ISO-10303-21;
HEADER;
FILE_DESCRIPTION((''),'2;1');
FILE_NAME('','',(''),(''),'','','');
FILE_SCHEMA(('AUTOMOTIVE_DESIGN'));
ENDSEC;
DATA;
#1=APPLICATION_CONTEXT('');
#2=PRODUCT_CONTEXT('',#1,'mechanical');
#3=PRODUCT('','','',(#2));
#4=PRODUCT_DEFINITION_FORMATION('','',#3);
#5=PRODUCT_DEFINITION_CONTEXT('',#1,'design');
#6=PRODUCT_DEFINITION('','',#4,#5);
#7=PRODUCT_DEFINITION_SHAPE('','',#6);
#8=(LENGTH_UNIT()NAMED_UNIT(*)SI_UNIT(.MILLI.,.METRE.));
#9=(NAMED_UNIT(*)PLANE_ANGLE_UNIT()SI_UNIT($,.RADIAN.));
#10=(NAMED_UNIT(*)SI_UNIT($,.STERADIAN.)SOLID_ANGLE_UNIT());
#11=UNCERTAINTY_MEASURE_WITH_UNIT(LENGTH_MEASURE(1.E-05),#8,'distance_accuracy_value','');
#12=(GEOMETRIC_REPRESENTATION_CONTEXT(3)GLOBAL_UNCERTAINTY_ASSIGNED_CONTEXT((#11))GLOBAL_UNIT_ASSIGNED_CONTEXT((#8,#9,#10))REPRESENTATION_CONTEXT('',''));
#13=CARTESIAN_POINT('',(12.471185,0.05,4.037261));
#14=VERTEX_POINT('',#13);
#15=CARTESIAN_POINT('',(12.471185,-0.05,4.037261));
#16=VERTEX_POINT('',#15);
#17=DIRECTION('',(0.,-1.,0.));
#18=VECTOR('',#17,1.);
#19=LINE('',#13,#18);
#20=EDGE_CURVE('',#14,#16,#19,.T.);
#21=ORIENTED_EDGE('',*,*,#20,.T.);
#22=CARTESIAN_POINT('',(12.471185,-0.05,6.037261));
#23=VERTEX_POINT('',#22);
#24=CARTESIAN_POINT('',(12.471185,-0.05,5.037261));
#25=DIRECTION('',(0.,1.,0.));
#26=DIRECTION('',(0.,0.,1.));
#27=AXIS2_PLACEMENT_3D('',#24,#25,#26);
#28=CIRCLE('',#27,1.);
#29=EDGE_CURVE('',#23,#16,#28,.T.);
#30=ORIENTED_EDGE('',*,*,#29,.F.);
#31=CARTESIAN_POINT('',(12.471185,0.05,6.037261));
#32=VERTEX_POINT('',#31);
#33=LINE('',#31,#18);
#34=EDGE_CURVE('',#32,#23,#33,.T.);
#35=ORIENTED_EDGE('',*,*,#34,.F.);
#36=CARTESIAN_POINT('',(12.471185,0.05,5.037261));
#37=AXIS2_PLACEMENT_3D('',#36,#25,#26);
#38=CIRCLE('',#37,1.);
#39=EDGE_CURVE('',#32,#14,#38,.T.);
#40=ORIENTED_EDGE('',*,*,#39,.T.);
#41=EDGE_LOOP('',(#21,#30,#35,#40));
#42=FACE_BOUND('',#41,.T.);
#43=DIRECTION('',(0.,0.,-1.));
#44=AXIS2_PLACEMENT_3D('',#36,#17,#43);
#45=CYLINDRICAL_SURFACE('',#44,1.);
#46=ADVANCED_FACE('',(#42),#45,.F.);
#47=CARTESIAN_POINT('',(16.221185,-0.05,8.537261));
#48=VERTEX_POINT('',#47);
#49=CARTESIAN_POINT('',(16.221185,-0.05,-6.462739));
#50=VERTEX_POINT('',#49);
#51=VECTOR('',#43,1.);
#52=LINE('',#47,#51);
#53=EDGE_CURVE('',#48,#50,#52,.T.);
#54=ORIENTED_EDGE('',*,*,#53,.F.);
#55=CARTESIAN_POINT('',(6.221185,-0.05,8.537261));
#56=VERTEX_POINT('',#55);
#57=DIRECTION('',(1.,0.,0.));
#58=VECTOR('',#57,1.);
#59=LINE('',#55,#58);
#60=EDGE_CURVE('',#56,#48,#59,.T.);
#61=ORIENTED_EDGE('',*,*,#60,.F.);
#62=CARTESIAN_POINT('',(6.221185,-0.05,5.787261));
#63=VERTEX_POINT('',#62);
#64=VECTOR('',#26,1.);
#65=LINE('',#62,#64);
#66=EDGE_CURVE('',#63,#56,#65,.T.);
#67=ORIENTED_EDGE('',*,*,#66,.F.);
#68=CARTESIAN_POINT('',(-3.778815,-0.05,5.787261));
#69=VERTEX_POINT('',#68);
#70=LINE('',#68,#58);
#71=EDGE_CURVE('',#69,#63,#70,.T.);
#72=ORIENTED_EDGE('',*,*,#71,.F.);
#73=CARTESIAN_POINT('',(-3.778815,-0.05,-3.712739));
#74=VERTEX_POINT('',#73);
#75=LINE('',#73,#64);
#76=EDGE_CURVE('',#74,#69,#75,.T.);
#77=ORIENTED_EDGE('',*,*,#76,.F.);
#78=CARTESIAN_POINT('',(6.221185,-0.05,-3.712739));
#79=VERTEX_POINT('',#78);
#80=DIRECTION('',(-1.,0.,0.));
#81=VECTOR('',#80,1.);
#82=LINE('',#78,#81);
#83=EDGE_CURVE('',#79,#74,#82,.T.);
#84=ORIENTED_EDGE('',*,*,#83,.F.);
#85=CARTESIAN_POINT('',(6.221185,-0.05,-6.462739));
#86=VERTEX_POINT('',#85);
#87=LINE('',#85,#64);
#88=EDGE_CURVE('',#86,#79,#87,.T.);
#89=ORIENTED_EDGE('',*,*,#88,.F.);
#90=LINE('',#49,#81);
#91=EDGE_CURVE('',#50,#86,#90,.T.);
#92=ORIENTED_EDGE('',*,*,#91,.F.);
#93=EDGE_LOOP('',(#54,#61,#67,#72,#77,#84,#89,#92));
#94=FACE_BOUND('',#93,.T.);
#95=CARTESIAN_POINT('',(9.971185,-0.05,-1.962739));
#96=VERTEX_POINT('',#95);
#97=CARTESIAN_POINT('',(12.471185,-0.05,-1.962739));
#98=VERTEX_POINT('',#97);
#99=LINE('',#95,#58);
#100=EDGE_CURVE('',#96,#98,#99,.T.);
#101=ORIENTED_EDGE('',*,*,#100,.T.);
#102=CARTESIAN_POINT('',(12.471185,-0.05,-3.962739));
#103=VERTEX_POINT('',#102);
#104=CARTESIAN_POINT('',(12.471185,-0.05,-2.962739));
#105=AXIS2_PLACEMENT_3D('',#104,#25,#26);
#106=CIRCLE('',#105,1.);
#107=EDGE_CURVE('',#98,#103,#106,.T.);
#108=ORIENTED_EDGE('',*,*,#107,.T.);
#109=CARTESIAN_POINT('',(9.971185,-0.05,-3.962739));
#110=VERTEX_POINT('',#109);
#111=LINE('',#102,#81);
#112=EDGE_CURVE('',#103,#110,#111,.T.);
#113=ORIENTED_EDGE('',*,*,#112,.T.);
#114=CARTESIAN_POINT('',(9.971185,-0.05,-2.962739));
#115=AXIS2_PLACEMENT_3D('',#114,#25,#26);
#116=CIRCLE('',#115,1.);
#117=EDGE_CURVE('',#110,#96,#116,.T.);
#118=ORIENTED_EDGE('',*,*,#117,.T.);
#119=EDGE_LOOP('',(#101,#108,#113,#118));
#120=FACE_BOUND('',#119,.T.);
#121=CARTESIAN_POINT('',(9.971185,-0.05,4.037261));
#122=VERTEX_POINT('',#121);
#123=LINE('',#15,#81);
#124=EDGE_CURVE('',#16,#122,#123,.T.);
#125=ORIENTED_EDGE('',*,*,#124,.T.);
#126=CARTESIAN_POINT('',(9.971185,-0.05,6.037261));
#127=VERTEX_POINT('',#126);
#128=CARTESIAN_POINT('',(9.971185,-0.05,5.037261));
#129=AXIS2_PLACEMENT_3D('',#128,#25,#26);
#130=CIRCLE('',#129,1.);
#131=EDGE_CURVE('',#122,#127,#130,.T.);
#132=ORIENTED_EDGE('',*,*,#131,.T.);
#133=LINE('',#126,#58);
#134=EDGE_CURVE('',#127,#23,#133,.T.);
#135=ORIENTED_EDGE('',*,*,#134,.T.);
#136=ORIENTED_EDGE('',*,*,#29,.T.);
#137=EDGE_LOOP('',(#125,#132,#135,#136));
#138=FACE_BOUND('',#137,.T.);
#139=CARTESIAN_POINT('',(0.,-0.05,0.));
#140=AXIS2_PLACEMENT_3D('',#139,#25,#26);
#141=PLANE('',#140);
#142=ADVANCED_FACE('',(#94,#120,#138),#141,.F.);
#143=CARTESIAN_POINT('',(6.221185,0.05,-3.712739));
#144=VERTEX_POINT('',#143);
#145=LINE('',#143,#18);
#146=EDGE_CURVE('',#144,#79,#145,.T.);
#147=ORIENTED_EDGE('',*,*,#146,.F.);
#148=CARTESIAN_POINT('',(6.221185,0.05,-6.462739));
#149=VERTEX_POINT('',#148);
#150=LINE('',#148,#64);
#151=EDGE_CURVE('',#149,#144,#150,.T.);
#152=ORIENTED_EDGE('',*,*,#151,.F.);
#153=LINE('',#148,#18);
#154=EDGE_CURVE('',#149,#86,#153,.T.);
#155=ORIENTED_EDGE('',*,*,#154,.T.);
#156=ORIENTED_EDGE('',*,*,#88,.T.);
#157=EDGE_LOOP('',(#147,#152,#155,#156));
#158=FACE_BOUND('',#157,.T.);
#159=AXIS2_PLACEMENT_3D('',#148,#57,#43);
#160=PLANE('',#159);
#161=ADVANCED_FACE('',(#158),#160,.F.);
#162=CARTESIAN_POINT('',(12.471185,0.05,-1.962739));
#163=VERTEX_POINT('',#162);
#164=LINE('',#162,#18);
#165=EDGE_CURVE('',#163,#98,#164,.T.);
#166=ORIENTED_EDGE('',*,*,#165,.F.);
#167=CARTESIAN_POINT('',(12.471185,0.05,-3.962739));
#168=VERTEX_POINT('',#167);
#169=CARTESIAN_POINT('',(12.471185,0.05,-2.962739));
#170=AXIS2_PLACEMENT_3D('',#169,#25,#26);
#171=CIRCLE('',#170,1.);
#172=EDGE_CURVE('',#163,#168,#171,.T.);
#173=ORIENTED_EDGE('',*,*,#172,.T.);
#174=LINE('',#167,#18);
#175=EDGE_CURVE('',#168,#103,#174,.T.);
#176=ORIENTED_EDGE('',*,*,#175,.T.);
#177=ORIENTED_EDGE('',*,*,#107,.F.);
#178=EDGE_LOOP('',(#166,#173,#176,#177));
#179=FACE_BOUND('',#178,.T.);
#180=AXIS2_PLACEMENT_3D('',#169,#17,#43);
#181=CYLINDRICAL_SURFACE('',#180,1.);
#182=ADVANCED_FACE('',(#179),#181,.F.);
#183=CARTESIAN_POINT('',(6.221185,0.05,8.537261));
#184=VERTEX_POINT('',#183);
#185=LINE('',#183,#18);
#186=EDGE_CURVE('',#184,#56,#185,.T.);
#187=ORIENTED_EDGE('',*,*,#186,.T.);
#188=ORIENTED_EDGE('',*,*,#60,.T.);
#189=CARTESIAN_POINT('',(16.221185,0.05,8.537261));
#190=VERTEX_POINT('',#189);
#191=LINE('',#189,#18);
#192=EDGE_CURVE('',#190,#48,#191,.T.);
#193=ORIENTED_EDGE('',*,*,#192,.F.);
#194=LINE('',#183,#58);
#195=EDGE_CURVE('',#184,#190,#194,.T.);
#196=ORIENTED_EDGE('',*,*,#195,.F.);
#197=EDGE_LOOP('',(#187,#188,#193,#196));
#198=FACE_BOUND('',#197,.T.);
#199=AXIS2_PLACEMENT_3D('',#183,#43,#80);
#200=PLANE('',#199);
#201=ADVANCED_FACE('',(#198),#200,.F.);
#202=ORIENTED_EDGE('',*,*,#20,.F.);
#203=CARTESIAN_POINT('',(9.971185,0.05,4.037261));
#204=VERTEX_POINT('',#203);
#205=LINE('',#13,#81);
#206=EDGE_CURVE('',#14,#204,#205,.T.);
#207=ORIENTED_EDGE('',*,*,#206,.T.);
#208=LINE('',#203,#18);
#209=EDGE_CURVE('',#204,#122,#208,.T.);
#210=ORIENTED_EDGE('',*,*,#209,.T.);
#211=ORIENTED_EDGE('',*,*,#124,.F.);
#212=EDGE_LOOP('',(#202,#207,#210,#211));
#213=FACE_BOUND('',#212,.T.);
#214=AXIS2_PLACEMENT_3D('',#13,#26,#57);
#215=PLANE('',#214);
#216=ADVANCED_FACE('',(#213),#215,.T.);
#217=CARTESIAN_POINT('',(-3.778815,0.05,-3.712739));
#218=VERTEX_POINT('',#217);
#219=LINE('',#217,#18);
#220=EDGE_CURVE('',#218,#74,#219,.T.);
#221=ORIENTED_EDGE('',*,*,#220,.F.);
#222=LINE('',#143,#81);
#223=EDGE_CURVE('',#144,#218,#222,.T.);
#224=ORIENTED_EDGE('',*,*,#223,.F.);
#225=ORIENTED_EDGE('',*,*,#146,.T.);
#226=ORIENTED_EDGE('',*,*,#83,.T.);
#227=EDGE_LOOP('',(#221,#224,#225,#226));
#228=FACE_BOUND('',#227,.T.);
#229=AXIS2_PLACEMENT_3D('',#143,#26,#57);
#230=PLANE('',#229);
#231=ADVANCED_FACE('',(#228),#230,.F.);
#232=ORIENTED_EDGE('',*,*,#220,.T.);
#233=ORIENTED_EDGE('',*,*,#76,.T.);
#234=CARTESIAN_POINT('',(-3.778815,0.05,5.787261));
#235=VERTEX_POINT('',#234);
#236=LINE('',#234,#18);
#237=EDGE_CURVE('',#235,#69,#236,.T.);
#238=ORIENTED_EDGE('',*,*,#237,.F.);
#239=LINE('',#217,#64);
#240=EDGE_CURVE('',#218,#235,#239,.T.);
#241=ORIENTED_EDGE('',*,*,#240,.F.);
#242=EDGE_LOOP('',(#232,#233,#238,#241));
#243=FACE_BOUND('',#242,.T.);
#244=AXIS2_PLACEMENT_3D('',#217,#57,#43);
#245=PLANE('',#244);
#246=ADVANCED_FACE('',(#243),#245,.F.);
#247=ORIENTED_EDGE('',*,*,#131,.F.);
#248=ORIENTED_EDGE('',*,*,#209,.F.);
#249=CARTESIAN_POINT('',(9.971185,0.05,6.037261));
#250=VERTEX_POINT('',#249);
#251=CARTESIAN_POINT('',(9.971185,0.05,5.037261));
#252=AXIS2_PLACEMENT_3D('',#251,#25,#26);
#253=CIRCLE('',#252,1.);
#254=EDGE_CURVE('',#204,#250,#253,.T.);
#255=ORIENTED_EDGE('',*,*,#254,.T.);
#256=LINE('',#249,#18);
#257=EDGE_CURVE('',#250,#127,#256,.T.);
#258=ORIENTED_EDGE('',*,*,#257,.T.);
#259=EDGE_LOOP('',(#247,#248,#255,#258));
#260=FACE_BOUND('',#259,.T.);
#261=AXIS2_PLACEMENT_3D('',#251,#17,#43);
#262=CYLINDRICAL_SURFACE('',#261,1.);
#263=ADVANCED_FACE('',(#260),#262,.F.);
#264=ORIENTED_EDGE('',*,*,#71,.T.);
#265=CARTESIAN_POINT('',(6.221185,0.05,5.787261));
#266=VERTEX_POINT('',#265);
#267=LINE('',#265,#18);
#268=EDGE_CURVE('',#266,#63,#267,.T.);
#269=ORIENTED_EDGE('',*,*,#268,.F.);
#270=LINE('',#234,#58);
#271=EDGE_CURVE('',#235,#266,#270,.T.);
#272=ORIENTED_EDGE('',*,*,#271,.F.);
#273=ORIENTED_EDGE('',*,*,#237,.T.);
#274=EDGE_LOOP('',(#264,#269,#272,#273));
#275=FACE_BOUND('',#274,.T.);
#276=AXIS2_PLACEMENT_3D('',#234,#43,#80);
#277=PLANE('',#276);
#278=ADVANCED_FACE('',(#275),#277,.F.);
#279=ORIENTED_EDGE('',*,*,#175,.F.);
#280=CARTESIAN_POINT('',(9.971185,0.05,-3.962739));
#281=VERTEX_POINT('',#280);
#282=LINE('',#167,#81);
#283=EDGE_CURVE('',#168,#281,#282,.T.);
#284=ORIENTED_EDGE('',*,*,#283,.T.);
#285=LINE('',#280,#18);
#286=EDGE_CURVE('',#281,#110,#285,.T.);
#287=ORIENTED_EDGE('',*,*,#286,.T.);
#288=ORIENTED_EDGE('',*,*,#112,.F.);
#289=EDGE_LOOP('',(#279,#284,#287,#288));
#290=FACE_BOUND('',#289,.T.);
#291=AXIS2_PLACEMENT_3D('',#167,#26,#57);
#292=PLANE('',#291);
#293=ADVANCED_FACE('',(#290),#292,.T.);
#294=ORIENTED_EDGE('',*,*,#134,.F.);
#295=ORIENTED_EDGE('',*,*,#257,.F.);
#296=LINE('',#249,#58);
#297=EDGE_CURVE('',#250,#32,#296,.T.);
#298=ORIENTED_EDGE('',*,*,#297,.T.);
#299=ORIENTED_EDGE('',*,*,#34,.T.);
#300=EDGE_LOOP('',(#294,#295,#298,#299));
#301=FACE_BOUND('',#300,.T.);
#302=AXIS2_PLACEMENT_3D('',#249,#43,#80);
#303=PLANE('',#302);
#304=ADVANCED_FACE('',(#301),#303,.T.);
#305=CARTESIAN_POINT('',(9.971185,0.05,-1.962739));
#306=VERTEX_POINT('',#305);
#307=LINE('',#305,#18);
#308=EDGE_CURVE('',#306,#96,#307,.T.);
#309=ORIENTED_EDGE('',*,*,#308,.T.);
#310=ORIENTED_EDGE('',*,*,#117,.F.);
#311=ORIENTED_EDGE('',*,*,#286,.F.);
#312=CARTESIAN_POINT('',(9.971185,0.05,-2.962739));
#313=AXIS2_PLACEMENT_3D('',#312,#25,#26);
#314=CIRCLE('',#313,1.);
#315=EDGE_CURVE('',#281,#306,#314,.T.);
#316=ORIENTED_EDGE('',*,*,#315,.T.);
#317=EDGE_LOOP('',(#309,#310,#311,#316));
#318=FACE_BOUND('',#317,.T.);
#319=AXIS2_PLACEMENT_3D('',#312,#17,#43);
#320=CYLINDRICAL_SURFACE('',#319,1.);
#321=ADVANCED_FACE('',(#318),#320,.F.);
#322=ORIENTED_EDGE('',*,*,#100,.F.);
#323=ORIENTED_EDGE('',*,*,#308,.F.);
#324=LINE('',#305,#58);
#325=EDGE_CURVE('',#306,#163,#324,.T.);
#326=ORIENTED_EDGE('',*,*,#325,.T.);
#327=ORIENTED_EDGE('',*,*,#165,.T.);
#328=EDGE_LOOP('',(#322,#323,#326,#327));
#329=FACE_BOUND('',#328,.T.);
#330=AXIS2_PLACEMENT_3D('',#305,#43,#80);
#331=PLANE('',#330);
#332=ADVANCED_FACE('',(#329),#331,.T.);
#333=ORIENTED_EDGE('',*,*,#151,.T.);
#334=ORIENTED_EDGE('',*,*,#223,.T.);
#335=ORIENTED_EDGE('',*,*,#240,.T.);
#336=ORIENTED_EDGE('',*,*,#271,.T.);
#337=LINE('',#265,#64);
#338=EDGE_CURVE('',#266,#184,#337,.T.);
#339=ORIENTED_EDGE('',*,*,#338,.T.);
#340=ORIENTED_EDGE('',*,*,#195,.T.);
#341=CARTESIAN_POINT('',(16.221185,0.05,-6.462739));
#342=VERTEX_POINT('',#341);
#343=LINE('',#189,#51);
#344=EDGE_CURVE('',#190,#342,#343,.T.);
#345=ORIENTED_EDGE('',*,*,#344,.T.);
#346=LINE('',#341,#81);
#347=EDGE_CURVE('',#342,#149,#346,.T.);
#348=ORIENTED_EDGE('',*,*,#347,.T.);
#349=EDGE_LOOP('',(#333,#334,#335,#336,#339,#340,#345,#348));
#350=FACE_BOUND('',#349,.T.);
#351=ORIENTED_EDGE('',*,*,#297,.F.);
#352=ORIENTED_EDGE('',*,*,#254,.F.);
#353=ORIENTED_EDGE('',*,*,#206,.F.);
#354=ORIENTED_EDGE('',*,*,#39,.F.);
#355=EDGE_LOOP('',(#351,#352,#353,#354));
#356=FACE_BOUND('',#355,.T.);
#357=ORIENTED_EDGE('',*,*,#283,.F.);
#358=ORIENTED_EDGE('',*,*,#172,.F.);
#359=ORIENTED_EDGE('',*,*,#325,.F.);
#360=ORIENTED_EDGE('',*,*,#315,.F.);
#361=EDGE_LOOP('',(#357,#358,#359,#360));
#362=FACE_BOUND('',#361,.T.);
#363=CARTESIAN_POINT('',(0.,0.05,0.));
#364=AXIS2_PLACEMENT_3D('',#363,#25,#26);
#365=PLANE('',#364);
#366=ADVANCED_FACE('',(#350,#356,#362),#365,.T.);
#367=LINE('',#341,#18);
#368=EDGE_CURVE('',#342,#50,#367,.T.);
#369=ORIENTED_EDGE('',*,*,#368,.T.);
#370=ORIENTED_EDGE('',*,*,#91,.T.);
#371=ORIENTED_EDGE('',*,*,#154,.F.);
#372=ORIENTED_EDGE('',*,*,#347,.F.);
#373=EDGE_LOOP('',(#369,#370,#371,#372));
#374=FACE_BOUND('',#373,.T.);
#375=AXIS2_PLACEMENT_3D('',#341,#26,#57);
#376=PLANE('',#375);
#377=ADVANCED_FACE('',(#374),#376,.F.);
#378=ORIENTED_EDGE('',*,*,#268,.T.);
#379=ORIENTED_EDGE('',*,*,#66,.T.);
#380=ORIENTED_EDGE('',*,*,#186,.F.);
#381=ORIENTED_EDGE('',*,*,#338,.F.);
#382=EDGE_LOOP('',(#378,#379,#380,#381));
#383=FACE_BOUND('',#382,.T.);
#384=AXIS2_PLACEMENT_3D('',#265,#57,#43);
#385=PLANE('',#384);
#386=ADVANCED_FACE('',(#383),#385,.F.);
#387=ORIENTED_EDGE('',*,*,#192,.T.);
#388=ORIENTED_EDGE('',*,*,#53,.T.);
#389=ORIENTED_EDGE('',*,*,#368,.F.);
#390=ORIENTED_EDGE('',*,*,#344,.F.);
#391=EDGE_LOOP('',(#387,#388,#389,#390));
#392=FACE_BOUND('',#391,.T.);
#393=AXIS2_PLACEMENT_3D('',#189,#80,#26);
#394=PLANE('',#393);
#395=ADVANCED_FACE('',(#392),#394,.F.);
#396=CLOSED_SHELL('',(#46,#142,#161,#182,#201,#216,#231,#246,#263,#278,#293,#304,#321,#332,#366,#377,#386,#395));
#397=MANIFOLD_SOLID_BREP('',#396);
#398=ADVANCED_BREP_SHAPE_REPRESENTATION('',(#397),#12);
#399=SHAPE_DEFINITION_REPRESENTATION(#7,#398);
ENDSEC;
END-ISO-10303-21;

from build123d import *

# Parameters (mm, degrees)
BOSS_EXTRUDE1_DEPTH = 0.05


with BuildPart() as part:
    # Sketch1 → Boss-Extrude1 (new, symmetric)
    with BuildSketch(Plane(origin=(0, 0, 0), x_dir=(1, 0, 0), z_dir=(0, 1, 0))):
        Polygon((-3.778814753, -5.787261175), (6.221185247, -5.787261175), (6.221185247, -8.537261175), (16.221185247, -8.537261175), (16.221185247, 6.462738825), (6.221185247, 6.462738825), (6.221185247, 3.712738825), (-3.778814753, 3.712738825), align=None)
        with BuildLine():
            Line((12.471185247, 3.962738825), (9.971185247, 3.962738825))
            ThreePointArc((9.971185247, 3.962738825), (8.971185247, 2.962738825), (9.971185247, 1.962738825))
            Line((9.971185247, 1.962738825), (12.471185247, 1.962738825))
            ThreePointArc((12.471185247, 1.962738825), (13.471185247, 2.962738825), (12.471185247, 3.962738825))
        make_face(mode=Mode.SUBTRACT)
        with BuildLine():
            Line((12.471185247, -4.037261175), (9.971185247, -4.037261175))
            ThreePointArc((9.971185247, -4.037261175), (8.971185247, -5.037261175), (9.971185247, -6.037261175))
            Line((9.971185247, -6.037261175), (12.471185247, -6.037261175))
            ThreePointArc((12.471185247, -6.037261175), (13.471185247, -5.037261175), (12.471185247, -4.037261175))
        make_face(mode=Mode.SUBTRACT)
    extrude(amount=BOSS_EXTRUDE1_DEPTH, both=True)


solid = part.part
